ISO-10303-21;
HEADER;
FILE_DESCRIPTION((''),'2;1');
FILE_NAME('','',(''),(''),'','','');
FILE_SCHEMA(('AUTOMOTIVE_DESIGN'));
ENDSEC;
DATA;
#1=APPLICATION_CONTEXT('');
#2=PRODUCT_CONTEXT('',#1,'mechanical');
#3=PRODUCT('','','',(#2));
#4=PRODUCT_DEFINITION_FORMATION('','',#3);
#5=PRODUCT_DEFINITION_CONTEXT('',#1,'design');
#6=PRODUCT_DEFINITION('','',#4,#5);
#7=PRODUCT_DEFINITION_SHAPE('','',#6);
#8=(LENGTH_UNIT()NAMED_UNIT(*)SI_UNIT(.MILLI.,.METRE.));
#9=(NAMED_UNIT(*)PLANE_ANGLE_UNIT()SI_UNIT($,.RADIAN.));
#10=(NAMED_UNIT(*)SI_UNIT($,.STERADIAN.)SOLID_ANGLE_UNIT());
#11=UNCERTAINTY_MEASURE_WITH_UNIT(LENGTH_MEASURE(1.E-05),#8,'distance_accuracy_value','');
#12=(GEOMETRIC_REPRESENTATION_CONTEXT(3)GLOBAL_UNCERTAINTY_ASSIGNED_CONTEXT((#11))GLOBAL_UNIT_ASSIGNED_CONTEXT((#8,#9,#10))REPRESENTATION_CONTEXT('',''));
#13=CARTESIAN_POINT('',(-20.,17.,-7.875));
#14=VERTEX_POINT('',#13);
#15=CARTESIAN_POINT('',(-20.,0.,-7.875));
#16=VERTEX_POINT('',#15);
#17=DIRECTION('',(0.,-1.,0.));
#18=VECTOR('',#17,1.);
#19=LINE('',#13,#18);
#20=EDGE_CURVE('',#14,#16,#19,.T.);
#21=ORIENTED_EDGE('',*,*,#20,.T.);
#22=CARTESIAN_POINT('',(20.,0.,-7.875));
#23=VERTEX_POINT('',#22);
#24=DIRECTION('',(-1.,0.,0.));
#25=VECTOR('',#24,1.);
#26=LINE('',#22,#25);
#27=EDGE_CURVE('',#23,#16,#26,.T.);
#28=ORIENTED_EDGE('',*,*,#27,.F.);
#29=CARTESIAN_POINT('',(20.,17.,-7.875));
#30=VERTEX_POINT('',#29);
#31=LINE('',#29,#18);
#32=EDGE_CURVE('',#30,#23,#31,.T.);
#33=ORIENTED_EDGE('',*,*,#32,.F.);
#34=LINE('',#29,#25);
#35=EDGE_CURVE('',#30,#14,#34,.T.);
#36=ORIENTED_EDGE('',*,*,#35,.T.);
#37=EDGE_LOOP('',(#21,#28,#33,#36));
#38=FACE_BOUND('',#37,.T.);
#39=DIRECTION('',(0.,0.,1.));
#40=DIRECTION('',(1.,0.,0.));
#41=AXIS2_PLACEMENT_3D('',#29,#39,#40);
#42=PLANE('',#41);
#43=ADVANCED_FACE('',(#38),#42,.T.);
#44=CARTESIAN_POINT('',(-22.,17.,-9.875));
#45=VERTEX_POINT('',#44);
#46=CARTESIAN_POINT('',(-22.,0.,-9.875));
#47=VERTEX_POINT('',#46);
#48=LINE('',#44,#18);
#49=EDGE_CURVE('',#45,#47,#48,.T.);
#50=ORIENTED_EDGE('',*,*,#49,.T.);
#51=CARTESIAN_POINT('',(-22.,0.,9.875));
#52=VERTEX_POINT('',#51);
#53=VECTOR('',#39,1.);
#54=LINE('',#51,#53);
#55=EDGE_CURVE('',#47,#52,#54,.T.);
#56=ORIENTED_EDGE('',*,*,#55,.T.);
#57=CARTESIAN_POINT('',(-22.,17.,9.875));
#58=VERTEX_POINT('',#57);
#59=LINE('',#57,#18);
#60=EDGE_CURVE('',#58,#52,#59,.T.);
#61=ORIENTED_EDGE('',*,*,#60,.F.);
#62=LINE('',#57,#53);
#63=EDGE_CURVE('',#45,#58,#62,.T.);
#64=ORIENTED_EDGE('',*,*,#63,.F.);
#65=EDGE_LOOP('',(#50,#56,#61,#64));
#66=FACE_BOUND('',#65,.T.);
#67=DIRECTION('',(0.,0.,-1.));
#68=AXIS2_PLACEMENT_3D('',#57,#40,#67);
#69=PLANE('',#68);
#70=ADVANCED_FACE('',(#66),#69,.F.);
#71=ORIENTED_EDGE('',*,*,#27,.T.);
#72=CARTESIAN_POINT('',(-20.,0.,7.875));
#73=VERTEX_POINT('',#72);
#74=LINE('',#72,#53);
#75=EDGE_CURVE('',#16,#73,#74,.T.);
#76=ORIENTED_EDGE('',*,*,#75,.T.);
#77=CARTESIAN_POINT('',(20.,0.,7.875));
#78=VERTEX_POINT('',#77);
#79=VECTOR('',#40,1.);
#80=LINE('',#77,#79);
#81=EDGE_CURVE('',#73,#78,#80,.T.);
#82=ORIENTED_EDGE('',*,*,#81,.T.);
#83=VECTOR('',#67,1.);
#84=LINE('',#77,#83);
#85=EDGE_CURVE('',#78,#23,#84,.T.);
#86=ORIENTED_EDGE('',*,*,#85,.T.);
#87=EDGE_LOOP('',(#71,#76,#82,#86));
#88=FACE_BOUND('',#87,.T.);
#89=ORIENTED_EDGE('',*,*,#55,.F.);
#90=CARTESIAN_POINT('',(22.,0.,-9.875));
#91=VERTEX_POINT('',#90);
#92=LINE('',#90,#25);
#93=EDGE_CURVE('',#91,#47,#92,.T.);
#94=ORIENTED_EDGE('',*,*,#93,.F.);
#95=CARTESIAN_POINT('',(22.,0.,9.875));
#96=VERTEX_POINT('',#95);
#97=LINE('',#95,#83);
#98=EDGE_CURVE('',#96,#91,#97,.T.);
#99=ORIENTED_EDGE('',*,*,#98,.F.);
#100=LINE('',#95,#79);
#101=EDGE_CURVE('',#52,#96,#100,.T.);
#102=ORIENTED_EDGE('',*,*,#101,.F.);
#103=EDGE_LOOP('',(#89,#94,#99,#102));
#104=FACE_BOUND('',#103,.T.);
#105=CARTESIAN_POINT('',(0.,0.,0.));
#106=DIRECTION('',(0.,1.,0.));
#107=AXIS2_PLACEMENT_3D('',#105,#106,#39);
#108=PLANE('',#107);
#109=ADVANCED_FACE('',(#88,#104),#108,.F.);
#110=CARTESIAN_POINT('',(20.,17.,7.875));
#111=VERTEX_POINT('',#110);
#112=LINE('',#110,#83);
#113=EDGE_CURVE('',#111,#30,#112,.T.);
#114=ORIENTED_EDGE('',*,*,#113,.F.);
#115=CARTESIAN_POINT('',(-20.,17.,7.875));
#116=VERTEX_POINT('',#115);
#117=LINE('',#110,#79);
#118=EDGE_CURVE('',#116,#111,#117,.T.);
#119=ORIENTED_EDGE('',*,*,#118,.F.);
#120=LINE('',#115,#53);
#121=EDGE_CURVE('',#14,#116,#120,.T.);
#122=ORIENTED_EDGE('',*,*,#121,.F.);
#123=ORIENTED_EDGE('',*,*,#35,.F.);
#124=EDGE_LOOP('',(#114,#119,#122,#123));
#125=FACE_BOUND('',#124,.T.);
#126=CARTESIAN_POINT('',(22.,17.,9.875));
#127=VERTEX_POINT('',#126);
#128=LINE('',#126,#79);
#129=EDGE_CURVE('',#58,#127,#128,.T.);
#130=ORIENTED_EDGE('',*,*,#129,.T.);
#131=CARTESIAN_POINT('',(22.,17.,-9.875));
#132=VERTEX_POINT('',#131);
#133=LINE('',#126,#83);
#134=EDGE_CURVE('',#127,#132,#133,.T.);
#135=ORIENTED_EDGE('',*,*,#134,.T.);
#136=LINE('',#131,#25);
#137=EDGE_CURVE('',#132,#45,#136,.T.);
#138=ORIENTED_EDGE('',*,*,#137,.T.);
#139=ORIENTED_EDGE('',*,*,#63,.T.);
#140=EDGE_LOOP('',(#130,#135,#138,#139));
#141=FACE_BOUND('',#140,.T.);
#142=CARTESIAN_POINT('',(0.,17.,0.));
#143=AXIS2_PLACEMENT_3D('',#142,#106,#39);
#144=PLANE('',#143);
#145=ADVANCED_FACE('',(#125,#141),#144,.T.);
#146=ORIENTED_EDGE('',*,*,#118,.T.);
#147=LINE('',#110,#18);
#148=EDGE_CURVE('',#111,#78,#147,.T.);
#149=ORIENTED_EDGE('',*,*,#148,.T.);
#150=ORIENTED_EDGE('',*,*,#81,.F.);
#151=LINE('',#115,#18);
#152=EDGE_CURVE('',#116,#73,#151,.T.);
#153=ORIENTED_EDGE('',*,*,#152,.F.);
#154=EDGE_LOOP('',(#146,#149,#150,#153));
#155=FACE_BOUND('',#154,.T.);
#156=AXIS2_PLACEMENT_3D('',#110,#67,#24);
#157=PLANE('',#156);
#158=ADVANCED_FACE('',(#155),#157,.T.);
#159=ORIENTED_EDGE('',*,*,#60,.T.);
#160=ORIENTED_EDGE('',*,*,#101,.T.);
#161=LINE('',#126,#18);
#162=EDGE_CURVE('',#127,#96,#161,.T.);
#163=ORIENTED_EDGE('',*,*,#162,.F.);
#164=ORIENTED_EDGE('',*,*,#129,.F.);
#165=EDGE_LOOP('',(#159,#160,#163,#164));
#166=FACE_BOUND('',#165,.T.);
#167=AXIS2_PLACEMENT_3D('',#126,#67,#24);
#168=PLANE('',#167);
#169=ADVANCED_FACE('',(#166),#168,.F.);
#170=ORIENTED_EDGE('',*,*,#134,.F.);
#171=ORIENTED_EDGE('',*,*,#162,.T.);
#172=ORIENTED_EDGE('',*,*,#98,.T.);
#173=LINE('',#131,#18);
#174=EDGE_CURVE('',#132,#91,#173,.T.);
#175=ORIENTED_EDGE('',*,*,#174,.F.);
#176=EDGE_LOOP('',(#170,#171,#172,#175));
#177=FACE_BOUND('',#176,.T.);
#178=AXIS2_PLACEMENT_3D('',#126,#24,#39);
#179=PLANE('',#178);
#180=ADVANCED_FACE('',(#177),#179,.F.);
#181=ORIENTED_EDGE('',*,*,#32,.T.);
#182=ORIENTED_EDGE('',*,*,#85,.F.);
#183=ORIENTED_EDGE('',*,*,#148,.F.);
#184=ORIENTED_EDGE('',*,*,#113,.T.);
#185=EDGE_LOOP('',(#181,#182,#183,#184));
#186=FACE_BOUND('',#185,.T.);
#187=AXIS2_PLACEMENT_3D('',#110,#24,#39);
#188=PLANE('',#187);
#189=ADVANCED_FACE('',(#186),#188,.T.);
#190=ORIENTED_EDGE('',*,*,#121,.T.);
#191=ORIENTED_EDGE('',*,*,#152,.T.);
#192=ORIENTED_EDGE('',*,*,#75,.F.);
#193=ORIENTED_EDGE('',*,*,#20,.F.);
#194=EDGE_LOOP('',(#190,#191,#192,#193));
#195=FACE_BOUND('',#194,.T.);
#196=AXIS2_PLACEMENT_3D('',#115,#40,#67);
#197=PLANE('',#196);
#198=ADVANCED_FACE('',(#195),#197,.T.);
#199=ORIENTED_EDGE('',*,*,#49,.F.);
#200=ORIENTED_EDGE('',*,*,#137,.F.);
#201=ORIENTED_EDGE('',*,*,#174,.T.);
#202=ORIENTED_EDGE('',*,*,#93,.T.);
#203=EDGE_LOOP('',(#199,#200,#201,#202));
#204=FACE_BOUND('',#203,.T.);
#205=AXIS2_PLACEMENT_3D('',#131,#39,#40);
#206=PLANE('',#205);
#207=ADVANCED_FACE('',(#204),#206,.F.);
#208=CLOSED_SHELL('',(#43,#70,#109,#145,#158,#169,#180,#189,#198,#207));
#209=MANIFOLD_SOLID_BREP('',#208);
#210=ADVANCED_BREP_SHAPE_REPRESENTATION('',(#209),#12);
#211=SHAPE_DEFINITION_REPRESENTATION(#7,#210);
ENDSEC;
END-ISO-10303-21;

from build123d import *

# Parameters (mm, degrees)
SKETCH1_W           = 44
SKETCH1_H           = 19.75
SKETCH1_W_2         = 40
SKETCH1_H_2         = 15.75
BOSS_EXTRUDE1_DEPTH = 17


with BuildPart() as part:
    # Sketch1 → Boss-Extrude1 (new body)
    with BuildSketch(Plane(origin=(0, 0, 0), x_dir=(1, 0, 0), z_dir=(0, 1, 0))):
        Rectangle(SKETCH1_W, SKETCH1_H)
        Rectangle(SKETCH1_W_2, SKETCH1_H_2, mode=Mode.SUBTRACT)
    extrude(amount=BOSS_EXTRUDE1_DEPTH)


solid = part.part
